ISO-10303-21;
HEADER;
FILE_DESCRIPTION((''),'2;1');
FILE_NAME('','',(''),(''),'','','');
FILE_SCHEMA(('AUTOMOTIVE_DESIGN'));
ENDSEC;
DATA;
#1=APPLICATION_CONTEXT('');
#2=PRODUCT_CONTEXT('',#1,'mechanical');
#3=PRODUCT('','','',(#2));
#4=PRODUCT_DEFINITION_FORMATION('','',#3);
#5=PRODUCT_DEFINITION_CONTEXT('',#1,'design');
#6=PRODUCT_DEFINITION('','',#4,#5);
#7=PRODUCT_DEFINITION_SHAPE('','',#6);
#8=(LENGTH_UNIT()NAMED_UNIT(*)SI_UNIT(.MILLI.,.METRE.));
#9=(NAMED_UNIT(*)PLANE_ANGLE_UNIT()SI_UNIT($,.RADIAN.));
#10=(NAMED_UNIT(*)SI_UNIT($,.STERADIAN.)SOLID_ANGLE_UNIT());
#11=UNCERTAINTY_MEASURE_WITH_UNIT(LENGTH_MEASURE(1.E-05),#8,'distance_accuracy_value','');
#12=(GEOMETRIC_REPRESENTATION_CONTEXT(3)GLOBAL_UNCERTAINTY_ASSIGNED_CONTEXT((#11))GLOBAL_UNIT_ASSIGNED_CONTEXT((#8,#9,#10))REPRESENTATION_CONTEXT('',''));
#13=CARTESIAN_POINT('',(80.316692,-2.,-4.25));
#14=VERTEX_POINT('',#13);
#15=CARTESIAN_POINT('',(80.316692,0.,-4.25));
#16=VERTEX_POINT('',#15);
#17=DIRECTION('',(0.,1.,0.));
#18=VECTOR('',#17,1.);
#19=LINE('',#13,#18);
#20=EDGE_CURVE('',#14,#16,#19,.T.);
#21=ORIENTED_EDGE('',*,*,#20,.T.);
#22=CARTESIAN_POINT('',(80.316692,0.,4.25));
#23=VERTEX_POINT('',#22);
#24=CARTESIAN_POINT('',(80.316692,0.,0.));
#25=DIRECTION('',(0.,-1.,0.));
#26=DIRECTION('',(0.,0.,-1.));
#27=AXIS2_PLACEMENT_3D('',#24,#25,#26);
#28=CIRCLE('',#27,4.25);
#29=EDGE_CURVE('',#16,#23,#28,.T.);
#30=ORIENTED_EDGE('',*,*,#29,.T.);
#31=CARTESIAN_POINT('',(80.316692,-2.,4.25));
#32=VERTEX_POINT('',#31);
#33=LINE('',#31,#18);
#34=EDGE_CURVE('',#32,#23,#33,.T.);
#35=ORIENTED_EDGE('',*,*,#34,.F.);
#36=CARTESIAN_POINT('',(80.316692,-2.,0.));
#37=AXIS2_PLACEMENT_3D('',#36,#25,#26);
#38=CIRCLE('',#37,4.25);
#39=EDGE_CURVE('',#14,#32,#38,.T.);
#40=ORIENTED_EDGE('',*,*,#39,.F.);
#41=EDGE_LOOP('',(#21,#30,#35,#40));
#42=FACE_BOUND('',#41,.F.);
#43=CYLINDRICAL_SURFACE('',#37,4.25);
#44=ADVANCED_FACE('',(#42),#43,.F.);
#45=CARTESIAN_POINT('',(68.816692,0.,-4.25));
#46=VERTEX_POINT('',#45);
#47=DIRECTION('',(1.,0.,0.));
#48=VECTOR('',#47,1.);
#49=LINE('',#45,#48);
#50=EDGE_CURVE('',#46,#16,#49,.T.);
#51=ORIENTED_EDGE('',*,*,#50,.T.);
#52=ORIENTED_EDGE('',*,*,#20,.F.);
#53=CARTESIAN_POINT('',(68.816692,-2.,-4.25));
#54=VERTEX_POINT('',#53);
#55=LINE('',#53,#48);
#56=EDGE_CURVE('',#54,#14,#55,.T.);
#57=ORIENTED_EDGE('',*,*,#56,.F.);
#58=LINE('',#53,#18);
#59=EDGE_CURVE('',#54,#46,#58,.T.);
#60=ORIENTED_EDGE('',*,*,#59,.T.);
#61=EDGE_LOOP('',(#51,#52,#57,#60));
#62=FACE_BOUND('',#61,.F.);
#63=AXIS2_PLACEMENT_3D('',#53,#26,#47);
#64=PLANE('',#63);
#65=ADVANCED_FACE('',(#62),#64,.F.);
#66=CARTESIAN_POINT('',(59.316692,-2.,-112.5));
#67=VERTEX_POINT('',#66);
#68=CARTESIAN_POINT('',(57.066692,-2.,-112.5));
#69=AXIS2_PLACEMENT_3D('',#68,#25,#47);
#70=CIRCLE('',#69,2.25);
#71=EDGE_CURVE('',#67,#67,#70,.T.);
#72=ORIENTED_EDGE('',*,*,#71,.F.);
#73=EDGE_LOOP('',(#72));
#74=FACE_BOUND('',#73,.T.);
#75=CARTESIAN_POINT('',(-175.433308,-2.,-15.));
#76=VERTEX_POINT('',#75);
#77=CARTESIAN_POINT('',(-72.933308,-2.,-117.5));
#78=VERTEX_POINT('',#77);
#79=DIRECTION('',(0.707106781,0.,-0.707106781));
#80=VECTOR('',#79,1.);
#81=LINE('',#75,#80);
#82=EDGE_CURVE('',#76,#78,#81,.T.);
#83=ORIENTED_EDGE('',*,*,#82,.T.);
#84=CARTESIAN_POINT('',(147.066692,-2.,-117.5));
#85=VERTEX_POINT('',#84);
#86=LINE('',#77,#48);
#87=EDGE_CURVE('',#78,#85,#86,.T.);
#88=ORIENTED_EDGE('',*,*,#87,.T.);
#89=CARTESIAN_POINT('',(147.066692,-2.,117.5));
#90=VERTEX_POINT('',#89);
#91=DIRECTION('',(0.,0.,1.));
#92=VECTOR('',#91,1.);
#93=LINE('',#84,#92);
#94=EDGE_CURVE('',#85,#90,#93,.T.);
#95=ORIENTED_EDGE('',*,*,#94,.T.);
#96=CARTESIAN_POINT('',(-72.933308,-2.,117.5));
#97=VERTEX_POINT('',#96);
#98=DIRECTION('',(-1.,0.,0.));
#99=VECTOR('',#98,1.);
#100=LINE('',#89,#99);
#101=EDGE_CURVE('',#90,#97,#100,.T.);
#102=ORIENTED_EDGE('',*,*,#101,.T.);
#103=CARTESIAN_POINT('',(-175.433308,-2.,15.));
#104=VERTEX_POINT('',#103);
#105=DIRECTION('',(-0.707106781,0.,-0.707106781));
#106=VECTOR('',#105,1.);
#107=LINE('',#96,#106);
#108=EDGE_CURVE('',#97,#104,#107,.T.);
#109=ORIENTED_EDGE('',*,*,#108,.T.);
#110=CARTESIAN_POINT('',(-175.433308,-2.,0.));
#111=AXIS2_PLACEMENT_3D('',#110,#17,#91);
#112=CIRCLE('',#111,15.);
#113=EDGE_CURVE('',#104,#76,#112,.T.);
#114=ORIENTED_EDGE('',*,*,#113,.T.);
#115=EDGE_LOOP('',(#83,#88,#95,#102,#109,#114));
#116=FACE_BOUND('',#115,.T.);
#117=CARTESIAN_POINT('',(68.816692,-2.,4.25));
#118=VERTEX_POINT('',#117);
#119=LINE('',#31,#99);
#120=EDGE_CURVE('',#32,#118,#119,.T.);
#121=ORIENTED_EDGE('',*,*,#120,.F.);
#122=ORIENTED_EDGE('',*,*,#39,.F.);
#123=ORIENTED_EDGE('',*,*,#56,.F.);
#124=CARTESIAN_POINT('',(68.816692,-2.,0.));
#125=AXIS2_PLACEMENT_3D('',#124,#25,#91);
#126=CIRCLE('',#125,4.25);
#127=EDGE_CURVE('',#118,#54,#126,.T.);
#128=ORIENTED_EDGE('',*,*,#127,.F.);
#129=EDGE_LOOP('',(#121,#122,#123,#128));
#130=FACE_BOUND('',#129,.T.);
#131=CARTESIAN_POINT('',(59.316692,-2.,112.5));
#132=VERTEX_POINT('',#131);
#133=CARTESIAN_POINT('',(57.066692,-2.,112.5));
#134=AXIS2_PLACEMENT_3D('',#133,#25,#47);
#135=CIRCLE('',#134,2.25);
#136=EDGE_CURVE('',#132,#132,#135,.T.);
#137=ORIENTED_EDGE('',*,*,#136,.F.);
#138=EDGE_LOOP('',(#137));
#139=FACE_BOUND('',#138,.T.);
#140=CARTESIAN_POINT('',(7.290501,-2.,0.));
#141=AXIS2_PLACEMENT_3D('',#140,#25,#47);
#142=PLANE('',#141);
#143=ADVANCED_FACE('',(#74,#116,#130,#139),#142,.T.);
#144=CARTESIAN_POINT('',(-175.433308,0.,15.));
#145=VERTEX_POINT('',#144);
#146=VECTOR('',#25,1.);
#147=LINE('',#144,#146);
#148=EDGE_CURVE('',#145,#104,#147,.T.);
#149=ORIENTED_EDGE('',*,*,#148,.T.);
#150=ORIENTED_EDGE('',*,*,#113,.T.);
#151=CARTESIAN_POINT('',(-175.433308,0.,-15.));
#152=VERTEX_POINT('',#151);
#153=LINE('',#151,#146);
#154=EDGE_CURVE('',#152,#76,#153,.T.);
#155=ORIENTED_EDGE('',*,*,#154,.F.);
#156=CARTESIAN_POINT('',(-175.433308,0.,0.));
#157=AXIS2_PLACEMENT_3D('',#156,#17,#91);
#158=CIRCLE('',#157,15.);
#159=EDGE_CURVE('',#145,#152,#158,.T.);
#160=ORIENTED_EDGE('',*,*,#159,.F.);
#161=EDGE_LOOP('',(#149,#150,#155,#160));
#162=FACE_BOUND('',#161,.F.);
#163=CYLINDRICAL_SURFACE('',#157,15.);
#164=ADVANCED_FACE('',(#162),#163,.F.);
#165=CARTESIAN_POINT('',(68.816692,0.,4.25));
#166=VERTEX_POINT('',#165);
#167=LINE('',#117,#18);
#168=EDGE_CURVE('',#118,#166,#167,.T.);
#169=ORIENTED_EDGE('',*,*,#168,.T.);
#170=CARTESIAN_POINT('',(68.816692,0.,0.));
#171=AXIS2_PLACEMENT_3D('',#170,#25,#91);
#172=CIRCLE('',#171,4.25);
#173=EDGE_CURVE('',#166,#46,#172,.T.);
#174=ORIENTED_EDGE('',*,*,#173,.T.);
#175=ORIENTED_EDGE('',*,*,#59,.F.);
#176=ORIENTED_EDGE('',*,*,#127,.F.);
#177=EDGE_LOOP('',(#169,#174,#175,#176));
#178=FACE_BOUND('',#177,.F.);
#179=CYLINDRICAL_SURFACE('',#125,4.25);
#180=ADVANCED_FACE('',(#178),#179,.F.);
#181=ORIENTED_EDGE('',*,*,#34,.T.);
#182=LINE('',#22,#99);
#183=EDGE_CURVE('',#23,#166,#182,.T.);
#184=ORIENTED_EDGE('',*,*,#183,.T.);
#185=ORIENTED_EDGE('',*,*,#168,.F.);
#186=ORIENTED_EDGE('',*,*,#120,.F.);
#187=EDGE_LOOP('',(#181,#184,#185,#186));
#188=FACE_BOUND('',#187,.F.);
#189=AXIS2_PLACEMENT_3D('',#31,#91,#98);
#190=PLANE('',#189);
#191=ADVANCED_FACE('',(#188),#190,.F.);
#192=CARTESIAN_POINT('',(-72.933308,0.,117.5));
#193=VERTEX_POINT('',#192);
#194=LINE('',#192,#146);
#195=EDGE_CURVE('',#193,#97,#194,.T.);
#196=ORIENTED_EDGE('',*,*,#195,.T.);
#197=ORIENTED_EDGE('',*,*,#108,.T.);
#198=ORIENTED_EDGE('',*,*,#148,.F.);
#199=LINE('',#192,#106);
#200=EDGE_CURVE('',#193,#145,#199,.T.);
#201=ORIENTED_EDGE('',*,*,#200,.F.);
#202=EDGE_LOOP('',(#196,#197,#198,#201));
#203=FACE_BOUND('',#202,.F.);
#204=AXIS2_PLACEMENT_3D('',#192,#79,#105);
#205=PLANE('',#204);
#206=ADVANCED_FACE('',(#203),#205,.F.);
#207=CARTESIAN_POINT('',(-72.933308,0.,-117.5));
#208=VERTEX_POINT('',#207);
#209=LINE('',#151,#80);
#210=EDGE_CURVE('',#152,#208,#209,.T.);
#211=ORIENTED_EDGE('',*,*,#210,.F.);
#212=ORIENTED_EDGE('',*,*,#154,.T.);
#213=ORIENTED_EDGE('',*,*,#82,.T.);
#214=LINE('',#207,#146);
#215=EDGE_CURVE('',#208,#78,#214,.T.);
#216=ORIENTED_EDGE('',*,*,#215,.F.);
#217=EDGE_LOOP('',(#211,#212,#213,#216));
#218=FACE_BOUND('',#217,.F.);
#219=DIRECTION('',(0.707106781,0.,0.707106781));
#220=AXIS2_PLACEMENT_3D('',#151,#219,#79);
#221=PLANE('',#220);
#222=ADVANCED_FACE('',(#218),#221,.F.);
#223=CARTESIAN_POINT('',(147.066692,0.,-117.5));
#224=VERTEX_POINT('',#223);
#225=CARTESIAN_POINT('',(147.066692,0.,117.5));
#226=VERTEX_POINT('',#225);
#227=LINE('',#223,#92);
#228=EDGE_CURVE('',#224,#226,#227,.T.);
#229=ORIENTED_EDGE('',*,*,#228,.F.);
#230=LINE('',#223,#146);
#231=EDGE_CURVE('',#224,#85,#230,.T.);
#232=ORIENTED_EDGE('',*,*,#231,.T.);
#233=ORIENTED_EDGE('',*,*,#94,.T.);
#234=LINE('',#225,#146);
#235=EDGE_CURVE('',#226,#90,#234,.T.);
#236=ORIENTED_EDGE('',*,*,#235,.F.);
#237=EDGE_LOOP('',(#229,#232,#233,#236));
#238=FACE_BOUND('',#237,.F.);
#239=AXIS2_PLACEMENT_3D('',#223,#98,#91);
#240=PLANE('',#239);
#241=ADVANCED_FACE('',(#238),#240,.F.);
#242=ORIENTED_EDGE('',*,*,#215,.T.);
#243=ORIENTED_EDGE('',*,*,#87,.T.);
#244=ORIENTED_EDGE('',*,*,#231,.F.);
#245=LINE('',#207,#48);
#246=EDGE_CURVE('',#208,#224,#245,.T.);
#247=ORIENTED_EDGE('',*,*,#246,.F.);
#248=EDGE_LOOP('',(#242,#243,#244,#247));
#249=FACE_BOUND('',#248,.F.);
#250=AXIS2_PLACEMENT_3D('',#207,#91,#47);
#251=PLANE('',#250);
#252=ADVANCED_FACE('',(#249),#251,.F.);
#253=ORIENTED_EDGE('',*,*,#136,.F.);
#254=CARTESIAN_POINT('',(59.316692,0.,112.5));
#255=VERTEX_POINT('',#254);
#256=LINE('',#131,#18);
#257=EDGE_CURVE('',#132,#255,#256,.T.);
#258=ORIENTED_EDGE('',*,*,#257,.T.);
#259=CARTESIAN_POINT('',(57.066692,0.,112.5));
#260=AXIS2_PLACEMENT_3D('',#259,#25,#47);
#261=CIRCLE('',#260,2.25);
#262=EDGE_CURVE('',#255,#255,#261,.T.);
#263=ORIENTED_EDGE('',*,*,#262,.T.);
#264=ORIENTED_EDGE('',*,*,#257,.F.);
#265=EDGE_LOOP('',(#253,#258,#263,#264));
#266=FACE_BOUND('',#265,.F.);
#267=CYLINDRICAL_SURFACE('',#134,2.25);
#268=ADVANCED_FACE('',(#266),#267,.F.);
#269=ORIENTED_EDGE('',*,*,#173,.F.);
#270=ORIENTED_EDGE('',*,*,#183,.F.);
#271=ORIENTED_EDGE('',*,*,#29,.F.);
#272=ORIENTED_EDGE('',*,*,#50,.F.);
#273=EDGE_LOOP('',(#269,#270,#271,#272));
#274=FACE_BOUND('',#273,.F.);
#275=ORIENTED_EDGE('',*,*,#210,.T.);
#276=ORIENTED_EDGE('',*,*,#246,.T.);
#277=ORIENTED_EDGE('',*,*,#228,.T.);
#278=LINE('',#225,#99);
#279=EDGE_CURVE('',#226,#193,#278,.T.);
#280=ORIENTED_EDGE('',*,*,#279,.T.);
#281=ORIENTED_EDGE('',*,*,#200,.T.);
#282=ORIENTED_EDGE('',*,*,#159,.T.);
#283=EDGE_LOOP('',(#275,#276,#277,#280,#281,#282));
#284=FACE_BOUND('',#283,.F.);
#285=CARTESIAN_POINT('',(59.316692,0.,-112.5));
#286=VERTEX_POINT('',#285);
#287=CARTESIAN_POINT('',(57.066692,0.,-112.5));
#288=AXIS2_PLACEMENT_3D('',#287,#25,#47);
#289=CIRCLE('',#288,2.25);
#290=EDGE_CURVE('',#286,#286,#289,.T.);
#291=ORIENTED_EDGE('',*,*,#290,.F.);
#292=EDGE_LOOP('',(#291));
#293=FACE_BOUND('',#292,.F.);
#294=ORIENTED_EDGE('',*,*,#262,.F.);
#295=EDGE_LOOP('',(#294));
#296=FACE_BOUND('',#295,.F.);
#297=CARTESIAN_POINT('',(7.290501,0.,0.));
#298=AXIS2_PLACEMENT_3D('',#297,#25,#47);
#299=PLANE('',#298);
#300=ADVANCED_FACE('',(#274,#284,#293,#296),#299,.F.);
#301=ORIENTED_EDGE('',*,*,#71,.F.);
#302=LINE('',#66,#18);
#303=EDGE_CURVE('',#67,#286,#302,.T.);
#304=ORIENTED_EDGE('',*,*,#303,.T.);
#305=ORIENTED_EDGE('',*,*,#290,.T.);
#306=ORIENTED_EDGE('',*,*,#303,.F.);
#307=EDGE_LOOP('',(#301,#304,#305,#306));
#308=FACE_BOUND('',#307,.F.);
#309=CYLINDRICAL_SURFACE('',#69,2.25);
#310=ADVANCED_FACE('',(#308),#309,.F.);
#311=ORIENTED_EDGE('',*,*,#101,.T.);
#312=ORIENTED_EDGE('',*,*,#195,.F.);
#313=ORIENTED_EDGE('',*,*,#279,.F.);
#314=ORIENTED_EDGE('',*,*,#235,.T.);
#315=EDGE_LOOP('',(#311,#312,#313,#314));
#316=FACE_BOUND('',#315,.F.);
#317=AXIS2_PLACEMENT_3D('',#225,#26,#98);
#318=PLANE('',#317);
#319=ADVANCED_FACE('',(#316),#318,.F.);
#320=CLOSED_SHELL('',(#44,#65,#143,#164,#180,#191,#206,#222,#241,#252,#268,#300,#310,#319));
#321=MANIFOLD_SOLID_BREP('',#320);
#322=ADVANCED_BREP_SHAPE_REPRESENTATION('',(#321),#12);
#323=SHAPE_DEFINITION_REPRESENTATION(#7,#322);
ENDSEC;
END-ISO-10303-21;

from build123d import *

# Parameters (mm, degrees)
F1_DEPTH = 2
F2_R     = 2.25
F3_DEPTH = 2


with BuildPart() as f1:
    # F0 (on Front) → F1 (new body)
    with BuildSketch(Plane.XZ):
        with BuildLine():
            Line((-72.933308, -117.5), (147.066692, -117.5))
            Line((147.066692, -117.5), (147.066692, 117.5))
            Line((147.066692, 117.5), (-72.933308, 117.5))
            Line((-72.933308, 117.5), (-175.433308, 15))
            ThreePointArc((-175.433308, 15), (-160.433308, 0), (-175.433308, -15))
            Line((-175.433308, -15), (-72.933308, -117.5))
        make_face()
    extrude(amount=F1_DEPTH)

    # F2 (on face) → F3 (cut, through all)
    with BuildSketch(Plane.XZ.offset(2)):
        with BuildLine():
            Line((68.816692, -4.25), (80.316692, -4.25))
            ThreePointArc((80.316692, -4.25), (84.566692, 0), (80.316692, 4.25))
            Line((80.316692, 4.25), (68.816692, 4.25))
            ThreePointArc((68.816692, 4.25), (64.566692, 0), (68.816692, -4.25))
        make_face()
        with Locations((57.066692, -112.5)):
            Circle(F2_R)
        with Locations((57.066692, 112.5)):
            Circle(F2_R)
    extrude(amount=-F3_DEPTH, mode=Mode.SUBTRACT)


solid = f1.part
